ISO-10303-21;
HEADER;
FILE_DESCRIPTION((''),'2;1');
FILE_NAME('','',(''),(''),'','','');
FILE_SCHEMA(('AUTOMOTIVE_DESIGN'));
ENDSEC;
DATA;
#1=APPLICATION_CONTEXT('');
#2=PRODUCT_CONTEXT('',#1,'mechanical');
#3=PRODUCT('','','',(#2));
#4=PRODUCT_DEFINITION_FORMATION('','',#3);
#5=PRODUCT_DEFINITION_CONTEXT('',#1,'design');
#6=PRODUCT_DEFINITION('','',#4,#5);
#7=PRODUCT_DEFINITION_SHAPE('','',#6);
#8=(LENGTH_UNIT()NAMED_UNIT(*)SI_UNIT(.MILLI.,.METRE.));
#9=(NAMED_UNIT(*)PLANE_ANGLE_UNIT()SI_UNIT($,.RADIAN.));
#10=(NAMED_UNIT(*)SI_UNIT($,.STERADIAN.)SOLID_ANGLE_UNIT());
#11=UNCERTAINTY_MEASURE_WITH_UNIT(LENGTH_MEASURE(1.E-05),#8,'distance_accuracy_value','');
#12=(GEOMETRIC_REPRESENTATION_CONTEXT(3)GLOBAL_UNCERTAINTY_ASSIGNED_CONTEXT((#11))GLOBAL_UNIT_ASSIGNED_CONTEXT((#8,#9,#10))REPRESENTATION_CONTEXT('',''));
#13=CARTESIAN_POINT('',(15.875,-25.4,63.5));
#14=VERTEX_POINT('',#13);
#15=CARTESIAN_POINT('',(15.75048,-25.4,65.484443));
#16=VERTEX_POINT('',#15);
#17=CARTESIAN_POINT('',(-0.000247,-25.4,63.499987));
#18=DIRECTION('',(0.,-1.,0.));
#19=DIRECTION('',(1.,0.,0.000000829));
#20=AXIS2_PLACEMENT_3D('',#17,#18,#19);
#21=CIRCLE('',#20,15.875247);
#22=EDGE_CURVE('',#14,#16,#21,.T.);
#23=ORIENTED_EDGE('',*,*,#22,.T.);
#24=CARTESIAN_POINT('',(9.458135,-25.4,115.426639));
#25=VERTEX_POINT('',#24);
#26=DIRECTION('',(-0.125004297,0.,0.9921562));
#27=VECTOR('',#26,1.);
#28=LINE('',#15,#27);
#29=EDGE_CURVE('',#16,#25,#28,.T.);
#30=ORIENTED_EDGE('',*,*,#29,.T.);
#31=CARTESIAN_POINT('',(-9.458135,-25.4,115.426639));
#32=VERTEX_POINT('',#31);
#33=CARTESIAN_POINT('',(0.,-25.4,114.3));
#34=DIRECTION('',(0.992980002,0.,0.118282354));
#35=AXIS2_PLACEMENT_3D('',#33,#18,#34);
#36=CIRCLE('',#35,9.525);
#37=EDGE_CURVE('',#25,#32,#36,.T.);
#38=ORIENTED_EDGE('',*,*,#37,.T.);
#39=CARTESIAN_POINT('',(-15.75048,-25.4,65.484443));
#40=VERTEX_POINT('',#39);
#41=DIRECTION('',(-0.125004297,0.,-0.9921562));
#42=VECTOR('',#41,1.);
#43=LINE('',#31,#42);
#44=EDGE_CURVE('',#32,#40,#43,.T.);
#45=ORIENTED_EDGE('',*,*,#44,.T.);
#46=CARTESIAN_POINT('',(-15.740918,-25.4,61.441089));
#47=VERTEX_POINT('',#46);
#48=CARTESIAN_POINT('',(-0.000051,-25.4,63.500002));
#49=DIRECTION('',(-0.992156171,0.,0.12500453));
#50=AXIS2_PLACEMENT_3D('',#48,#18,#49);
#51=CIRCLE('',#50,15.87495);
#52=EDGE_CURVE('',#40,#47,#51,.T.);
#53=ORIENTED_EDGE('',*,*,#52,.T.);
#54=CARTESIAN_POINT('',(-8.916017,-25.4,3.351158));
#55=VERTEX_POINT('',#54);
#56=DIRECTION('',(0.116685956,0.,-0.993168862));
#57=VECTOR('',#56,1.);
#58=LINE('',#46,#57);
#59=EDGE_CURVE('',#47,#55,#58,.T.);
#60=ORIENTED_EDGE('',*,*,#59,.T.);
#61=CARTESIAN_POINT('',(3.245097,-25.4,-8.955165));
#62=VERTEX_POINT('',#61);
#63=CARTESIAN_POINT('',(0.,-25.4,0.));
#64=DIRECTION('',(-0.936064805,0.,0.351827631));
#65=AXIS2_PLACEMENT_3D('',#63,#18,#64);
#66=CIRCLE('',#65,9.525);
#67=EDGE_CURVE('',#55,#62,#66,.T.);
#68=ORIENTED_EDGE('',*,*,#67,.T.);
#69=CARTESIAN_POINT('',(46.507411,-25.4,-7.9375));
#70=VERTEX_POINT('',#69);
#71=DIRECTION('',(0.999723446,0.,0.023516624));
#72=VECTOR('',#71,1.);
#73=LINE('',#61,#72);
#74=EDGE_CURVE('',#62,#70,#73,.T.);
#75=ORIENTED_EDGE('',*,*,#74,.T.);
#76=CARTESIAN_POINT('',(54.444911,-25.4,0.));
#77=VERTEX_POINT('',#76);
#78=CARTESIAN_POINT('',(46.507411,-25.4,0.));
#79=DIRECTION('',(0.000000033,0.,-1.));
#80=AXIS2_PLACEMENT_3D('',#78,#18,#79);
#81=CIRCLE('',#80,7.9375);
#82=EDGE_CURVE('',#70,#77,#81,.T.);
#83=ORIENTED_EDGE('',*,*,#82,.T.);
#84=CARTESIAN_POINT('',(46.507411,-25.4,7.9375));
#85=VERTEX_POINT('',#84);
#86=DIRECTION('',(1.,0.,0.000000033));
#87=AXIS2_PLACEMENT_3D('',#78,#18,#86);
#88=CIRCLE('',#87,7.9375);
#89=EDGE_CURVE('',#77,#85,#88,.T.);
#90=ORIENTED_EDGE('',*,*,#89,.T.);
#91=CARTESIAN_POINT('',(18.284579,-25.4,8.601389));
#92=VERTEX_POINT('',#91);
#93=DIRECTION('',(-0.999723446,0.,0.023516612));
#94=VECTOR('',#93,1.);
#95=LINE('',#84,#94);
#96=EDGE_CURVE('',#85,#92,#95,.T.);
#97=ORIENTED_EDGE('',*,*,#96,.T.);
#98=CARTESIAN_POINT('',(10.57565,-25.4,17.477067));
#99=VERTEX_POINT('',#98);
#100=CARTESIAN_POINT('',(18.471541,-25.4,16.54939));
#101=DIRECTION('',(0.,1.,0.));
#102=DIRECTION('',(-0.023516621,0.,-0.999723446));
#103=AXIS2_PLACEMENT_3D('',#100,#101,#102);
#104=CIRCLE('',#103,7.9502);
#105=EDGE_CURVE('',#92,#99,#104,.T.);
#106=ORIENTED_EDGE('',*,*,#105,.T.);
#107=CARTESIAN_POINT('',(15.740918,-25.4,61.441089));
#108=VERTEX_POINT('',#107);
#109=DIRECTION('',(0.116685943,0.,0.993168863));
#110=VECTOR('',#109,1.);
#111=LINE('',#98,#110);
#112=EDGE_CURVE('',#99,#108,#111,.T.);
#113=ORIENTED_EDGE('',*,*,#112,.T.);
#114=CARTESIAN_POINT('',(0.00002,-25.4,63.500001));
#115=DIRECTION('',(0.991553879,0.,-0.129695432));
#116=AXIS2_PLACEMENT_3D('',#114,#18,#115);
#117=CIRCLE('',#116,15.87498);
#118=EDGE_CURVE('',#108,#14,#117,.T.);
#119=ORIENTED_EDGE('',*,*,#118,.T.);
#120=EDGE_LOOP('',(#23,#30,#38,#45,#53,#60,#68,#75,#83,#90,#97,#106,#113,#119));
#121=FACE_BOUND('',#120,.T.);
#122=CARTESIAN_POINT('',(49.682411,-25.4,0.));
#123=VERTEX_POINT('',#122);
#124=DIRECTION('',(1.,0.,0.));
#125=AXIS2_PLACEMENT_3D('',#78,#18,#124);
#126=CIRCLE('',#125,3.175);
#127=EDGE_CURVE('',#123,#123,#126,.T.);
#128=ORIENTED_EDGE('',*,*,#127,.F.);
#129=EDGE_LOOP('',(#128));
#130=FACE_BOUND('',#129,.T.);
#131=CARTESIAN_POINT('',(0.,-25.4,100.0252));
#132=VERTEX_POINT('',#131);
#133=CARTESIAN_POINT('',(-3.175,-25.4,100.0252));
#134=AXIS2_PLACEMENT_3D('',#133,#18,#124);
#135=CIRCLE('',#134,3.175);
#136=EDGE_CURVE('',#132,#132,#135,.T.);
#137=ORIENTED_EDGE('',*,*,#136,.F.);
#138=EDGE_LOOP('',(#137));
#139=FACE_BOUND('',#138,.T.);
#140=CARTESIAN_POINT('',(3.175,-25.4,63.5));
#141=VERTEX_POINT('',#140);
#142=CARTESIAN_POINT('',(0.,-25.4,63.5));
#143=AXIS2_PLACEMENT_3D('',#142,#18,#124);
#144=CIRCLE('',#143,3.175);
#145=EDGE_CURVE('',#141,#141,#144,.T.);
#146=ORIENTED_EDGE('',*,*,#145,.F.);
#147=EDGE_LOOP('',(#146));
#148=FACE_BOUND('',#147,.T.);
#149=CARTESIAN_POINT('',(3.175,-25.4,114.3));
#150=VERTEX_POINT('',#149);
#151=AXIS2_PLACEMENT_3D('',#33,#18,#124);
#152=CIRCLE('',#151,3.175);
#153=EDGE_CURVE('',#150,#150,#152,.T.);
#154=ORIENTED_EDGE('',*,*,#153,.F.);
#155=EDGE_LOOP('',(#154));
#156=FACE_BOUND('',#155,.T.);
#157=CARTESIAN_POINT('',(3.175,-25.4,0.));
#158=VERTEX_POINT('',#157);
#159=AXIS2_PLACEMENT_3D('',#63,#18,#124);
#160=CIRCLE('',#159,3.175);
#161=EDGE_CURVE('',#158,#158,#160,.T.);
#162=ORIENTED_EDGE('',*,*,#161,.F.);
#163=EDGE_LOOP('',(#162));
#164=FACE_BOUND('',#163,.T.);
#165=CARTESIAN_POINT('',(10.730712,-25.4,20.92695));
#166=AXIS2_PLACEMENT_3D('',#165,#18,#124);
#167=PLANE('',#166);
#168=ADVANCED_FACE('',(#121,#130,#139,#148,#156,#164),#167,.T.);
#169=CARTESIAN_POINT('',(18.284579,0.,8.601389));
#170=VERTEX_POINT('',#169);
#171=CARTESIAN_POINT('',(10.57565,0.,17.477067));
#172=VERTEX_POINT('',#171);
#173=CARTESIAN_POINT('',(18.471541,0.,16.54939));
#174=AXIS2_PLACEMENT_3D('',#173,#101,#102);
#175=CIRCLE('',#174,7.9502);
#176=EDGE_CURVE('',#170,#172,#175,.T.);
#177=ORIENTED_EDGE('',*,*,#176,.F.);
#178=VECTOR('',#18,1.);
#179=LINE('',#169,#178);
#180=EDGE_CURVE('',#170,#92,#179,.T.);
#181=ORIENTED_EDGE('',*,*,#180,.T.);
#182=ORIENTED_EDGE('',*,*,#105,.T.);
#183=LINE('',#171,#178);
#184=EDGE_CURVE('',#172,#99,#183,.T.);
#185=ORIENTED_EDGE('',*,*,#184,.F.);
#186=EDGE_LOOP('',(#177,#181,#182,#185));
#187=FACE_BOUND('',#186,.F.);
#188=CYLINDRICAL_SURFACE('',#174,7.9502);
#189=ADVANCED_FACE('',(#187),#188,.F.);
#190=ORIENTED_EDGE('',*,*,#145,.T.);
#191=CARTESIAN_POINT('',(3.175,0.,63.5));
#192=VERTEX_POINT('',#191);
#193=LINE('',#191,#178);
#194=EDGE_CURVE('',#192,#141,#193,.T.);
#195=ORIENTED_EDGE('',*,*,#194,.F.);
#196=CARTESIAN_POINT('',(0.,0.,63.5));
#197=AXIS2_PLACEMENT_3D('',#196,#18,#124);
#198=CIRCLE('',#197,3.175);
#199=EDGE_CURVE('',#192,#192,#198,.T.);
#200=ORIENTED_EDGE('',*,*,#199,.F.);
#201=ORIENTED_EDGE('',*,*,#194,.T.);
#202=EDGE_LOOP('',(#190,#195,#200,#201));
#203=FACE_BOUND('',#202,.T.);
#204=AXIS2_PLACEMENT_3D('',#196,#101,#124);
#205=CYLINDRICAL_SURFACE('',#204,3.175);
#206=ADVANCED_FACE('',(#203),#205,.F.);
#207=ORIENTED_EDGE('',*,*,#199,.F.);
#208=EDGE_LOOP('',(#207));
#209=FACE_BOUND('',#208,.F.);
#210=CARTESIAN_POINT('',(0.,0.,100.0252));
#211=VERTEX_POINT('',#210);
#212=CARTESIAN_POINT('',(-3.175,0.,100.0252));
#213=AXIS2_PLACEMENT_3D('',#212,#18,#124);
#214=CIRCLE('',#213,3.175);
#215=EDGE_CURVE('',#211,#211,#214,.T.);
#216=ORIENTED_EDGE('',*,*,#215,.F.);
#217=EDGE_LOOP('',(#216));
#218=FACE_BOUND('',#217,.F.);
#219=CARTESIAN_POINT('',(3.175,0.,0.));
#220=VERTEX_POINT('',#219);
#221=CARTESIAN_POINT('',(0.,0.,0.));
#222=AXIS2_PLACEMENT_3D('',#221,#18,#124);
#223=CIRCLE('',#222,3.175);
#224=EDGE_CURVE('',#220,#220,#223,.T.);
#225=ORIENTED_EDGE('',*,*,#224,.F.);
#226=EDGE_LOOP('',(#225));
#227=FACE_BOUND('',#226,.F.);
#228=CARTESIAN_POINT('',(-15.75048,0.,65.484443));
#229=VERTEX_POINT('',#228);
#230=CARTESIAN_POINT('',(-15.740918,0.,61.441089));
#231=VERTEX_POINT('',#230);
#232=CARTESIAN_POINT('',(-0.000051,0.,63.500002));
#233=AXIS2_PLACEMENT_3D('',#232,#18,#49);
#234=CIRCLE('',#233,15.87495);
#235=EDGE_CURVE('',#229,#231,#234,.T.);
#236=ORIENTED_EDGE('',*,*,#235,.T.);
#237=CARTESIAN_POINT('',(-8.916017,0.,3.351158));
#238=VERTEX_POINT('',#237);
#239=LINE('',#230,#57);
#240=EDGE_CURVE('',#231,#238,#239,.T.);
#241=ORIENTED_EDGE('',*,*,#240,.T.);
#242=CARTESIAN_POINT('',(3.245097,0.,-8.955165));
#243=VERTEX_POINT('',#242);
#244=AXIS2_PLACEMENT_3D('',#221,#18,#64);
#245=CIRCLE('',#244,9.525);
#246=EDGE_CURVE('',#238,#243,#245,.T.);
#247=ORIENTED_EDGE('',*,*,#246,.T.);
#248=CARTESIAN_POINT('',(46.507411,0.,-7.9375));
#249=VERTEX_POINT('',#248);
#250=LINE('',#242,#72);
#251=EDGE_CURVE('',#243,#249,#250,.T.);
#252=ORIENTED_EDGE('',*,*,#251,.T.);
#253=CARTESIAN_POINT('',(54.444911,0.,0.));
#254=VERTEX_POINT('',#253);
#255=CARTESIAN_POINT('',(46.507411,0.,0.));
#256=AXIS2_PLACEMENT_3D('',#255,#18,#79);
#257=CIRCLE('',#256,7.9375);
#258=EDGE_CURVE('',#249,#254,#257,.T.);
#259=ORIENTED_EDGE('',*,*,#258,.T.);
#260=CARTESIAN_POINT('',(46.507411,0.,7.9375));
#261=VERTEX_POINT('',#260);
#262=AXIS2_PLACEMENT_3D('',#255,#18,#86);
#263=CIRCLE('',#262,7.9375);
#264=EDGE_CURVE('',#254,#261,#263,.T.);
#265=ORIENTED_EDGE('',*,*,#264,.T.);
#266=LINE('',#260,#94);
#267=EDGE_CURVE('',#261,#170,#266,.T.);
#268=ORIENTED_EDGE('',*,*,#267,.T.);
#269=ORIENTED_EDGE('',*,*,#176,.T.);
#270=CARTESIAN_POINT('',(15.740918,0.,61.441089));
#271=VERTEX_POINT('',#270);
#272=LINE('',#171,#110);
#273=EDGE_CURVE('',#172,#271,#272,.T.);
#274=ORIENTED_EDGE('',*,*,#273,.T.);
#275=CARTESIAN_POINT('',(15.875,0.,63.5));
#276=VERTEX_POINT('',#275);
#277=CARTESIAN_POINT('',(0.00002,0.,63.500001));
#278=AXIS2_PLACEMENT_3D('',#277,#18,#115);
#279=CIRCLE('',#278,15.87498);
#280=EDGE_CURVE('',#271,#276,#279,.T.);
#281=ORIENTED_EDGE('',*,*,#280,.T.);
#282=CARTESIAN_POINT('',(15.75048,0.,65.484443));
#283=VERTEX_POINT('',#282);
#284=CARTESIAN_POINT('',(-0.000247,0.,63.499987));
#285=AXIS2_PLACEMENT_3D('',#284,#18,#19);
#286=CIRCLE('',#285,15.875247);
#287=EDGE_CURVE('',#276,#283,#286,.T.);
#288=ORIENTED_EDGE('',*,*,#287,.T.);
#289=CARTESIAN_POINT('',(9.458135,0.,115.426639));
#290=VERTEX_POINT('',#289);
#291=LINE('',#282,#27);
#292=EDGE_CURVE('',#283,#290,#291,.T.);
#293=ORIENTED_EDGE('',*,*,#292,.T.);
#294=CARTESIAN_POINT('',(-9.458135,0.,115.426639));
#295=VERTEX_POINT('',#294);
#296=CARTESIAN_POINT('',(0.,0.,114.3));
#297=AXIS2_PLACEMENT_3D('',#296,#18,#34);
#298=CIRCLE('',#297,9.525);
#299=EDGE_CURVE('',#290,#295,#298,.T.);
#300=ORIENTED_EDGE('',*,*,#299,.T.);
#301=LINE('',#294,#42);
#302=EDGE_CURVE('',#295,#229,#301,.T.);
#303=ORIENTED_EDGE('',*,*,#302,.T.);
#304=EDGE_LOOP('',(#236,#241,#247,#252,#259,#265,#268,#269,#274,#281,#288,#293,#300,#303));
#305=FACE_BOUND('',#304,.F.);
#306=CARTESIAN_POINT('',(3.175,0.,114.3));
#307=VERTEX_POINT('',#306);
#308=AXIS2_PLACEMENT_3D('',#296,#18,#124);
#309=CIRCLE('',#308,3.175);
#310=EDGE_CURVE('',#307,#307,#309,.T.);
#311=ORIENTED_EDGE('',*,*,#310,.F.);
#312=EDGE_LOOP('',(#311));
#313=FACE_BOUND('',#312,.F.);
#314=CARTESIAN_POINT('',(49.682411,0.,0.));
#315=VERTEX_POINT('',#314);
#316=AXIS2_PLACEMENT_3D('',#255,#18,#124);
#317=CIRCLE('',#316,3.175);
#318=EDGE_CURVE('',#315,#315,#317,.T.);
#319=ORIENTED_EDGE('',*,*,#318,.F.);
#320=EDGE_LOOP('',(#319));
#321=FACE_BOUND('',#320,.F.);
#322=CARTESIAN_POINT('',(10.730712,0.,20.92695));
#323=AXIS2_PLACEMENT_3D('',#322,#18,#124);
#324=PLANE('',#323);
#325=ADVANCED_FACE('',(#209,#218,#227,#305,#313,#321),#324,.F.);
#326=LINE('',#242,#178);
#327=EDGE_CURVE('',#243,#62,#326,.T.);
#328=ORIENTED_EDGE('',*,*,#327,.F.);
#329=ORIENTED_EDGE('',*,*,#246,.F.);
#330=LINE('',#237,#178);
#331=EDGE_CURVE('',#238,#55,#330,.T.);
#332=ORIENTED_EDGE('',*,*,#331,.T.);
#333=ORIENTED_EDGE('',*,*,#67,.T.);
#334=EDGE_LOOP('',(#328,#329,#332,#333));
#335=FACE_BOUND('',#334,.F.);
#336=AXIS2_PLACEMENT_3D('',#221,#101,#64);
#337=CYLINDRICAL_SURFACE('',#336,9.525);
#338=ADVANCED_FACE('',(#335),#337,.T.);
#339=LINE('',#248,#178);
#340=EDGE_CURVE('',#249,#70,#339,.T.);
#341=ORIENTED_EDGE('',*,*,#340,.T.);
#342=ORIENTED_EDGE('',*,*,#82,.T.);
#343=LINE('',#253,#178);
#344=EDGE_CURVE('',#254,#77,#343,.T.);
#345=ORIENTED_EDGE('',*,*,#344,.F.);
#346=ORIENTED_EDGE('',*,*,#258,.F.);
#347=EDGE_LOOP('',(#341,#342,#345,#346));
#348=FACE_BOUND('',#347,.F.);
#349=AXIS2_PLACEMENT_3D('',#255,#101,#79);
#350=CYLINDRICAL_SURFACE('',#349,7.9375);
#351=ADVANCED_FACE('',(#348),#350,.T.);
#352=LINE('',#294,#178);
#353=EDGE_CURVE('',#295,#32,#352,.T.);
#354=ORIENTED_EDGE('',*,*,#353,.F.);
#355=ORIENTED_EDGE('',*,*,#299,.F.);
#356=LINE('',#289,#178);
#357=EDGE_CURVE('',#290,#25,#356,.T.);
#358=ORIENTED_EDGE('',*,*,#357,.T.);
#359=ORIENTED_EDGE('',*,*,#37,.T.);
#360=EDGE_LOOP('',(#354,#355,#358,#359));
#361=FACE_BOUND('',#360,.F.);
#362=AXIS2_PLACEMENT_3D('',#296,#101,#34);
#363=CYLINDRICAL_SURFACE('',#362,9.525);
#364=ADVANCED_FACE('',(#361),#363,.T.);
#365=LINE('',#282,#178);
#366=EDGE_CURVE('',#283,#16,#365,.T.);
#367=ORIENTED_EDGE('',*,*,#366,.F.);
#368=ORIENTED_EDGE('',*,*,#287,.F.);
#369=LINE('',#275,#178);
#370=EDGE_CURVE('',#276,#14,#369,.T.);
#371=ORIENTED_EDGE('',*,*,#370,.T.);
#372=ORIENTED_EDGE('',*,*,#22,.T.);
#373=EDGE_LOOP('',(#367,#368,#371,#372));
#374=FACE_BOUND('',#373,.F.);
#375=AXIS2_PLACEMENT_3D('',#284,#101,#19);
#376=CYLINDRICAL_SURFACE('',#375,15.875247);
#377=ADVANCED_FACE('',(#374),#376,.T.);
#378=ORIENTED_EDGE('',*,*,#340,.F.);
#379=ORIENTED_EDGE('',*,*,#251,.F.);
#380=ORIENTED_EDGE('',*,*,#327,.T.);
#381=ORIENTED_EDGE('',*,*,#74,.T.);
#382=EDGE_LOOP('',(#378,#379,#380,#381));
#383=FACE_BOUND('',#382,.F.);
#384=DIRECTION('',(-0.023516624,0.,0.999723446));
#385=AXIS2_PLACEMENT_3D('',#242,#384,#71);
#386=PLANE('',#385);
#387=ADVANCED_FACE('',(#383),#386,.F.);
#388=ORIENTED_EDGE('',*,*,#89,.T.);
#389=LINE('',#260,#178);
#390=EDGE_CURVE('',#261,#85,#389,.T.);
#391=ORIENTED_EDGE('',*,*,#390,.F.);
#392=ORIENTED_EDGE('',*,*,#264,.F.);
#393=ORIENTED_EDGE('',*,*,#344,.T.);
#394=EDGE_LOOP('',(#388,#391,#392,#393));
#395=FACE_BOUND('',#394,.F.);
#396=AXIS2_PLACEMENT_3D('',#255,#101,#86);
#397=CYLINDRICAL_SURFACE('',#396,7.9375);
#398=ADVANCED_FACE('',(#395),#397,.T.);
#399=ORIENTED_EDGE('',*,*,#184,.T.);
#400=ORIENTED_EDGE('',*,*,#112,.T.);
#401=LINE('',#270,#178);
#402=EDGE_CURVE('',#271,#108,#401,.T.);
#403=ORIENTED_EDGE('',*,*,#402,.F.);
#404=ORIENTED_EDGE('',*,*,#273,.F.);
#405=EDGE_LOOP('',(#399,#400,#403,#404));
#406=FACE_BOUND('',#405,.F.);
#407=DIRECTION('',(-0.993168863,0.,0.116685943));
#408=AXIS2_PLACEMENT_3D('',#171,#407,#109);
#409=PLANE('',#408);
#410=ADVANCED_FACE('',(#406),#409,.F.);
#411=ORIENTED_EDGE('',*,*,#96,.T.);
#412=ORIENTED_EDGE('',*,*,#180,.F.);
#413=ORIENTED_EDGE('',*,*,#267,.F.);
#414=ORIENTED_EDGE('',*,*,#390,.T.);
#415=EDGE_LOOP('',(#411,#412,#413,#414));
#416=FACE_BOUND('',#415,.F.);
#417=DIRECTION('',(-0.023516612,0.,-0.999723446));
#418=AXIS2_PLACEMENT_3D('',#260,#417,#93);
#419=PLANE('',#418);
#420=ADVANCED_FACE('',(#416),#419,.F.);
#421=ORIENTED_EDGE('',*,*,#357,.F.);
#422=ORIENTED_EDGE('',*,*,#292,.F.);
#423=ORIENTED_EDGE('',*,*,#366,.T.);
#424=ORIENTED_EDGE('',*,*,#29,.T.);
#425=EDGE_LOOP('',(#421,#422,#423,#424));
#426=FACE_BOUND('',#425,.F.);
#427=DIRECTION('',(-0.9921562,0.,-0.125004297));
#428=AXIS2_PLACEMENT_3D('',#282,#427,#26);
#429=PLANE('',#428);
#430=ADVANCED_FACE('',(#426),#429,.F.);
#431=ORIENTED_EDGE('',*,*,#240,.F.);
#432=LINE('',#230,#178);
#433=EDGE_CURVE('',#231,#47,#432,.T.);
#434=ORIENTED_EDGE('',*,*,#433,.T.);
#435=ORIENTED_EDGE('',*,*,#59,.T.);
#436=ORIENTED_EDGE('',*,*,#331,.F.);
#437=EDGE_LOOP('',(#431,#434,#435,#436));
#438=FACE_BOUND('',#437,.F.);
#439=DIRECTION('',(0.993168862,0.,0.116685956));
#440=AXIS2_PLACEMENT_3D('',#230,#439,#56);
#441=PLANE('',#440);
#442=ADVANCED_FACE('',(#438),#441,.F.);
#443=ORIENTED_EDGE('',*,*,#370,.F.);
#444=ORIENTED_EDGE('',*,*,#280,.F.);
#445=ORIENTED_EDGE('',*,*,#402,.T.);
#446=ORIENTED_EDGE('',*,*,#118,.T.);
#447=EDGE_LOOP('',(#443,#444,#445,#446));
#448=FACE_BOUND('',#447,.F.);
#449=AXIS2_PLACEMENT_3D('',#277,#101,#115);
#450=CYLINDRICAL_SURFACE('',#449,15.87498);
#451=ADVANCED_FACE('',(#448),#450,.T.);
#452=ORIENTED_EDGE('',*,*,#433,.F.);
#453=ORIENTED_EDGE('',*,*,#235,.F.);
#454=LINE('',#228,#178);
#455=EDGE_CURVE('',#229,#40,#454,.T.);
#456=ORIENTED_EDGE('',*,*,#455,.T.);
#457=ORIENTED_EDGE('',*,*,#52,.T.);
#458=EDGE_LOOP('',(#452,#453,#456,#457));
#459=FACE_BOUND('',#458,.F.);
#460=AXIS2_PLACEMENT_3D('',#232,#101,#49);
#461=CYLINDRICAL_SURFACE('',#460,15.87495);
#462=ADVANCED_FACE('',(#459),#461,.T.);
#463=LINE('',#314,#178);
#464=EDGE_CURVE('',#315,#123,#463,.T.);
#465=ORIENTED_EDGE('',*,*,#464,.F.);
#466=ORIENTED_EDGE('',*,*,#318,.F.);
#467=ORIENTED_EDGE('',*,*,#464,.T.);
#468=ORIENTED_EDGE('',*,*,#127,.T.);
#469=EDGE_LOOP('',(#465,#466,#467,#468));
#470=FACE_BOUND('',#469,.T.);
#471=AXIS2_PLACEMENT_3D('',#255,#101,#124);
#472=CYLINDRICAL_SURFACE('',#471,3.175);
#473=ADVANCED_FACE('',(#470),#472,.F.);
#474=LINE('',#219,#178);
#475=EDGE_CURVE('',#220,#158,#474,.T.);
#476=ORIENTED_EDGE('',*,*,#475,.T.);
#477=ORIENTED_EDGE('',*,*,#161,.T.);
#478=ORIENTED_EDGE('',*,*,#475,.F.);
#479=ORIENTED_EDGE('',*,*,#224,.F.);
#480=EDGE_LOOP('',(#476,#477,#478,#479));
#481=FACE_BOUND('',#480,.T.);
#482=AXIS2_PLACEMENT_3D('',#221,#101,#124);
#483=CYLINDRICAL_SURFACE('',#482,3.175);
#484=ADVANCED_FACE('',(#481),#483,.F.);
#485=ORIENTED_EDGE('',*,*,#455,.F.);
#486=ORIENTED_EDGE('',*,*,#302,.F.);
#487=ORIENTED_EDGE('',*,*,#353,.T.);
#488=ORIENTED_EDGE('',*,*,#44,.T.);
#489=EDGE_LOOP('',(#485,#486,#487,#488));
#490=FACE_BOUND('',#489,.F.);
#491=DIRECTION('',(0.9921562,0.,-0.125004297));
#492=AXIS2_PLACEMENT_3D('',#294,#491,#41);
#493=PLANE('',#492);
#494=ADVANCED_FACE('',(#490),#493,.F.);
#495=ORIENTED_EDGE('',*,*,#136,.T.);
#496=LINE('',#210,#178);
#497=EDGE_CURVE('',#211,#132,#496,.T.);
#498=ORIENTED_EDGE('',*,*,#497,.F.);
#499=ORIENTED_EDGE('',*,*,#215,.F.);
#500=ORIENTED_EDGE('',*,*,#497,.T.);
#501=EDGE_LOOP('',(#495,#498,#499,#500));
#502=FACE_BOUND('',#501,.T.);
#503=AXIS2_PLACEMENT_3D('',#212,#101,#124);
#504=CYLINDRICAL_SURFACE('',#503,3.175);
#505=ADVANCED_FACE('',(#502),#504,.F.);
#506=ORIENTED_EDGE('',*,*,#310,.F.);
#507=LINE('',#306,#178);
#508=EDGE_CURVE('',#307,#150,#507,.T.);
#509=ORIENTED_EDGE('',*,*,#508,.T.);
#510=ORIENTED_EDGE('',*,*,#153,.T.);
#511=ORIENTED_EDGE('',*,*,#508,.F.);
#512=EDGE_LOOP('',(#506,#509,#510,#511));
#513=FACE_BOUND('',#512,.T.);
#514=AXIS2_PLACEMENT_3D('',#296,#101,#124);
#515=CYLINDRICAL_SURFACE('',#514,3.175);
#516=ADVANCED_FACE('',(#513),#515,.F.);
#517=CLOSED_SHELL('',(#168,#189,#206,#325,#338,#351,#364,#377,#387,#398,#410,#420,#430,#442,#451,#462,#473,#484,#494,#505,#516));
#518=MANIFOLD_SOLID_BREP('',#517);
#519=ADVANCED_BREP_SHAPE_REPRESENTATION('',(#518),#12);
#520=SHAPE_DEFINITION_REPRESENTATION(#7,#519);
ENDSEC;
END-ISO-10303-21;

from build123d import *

# Parameters (mm, degrees)
F0_R     = 3.175
F1_DEPTH = 25.4


with BuildPart() as f1:
    # F0 (on Front) → F1 (new body)
    with BuildSketch(Plane.XZ):
        with BuildLine():
            ThreePointArc((15.740918, 61.441089), (0, 47.625), (-15.740918, 61.441089))
            Line((-15.740918, 61.441089), (-8.916017, 3.351158))
            ThreePointArc((-8.916017, 3.351158), (1.703021, 9.371518), (9.525, 0))
            ThreePointArc((9.525, 0), (7.798563, -5.468824), (3.245097, -8.955165))
            Line((3.245097, -8.955165), (46.507411, -7.9375))
            ThreePointArc((46.507411, -7.9375), (38.569911, 0), (46.507411, 7.9375))
            Line((46.507411, 7.9375), (18.284579, 8.601389))
            ThreePointArc((18.284579, 8.601389), (12.469246, 11.336125), (10.57565, 17.477067))
            Line((10.57565, 17.477067), (15.740918, 61.441089))
        make_face()
        with BuildLine():
            ThreePointArc((9.525, 0), (1.703021, 9.371518), (-8.916017, 3.351158))
            ThreePointArc((-8.916017, 3.351158), (-6.775045, -6.695102), (3.245097, -8.955165))
            ThreePointArc((3.245097, -8.955165), (7.798563, -5.468824), (9.525, 0))
        make_face()
        Circle(F0_R, mode=Mode.SUBTRACT)
        with BuildLine():
            ThreePointArc((46.507411, 7.9375), (38.569911, 0), (46.507411, -7.9375))
            ThreePointArc((46.507411, -7.9375), (52.120071, -5.61266), (54.444911, 0))
            ThreePointArc((54.444911, 0), (52.120071, 5.61266), (46.507411, 7.9375))
        make_face()
        with Locations((46.507411, 0)):
            Circle(F0_R, mode=Mode.SUBTRACT)
        with BuildLine():
            ThreePointArc((15.875, 63.5), (15.843839, 64.494173), (15.75048, 65.484443))
            ThreePointArc((15.75048, 65.484443), (0, 79.375), (-15.75048, 65.484443))
            ThreePointArc((-15.75048, 65.484443), (-15.874956, 63.46246), (-15.740918, 61.441089))
            ThreePointArc((-15.740918, 61.441089), (0, 47.625), (15.740918, 61.441089))
            ThreePointArc((15.740918, 61.441089), (15.841444, 62.468364), (15.875, 63.5))
        make_face()
        with Locations((0, 63.5)):
            Circle(F0_R, mode=Mode.SUBTRACT)
        with BuildLine():
            ThreePointArc((9.458135, 115.426639), (9.508269, 114.864311), (9.525, 114.3))
            ThreePointArc((9.525, 114.3), (-0.564311, 104.791731), (-9.458135, 115.426639))
            Line((-9.458135, 115.426639), (-15.75048, 65.484443))
            ThreePointArc((-15.75048, 65.484443), (0, 79.375), (15.75048, 65.484443))
            Line((15.75048, 65.484443), (9.458135, 115.426639))
        make_face()
        with Locations((-3.175, 100.0252)):
            Circle(F0_R, mode=Mode.SUBTRACT)
        with BuildLine():
            ThreePointArc((-9.458135, 115.426639), (-0.564311, 104.791731), (9.525, 114.3))
            ThreePointArc((9.525, 114.3), (9.508269, 114.864311), (9.458135, 115.426639))
            ThreePointArc((9.458135, 115.426639), (0, 123.825), (-9.458135, 115.426639))
        make_face()
        with Locations((0, 114.3)):
            Circle(F0_R, mode=Mode.SUBTRACT)
    extrude(amount=F1_DEPTH)


solid = f1.part
